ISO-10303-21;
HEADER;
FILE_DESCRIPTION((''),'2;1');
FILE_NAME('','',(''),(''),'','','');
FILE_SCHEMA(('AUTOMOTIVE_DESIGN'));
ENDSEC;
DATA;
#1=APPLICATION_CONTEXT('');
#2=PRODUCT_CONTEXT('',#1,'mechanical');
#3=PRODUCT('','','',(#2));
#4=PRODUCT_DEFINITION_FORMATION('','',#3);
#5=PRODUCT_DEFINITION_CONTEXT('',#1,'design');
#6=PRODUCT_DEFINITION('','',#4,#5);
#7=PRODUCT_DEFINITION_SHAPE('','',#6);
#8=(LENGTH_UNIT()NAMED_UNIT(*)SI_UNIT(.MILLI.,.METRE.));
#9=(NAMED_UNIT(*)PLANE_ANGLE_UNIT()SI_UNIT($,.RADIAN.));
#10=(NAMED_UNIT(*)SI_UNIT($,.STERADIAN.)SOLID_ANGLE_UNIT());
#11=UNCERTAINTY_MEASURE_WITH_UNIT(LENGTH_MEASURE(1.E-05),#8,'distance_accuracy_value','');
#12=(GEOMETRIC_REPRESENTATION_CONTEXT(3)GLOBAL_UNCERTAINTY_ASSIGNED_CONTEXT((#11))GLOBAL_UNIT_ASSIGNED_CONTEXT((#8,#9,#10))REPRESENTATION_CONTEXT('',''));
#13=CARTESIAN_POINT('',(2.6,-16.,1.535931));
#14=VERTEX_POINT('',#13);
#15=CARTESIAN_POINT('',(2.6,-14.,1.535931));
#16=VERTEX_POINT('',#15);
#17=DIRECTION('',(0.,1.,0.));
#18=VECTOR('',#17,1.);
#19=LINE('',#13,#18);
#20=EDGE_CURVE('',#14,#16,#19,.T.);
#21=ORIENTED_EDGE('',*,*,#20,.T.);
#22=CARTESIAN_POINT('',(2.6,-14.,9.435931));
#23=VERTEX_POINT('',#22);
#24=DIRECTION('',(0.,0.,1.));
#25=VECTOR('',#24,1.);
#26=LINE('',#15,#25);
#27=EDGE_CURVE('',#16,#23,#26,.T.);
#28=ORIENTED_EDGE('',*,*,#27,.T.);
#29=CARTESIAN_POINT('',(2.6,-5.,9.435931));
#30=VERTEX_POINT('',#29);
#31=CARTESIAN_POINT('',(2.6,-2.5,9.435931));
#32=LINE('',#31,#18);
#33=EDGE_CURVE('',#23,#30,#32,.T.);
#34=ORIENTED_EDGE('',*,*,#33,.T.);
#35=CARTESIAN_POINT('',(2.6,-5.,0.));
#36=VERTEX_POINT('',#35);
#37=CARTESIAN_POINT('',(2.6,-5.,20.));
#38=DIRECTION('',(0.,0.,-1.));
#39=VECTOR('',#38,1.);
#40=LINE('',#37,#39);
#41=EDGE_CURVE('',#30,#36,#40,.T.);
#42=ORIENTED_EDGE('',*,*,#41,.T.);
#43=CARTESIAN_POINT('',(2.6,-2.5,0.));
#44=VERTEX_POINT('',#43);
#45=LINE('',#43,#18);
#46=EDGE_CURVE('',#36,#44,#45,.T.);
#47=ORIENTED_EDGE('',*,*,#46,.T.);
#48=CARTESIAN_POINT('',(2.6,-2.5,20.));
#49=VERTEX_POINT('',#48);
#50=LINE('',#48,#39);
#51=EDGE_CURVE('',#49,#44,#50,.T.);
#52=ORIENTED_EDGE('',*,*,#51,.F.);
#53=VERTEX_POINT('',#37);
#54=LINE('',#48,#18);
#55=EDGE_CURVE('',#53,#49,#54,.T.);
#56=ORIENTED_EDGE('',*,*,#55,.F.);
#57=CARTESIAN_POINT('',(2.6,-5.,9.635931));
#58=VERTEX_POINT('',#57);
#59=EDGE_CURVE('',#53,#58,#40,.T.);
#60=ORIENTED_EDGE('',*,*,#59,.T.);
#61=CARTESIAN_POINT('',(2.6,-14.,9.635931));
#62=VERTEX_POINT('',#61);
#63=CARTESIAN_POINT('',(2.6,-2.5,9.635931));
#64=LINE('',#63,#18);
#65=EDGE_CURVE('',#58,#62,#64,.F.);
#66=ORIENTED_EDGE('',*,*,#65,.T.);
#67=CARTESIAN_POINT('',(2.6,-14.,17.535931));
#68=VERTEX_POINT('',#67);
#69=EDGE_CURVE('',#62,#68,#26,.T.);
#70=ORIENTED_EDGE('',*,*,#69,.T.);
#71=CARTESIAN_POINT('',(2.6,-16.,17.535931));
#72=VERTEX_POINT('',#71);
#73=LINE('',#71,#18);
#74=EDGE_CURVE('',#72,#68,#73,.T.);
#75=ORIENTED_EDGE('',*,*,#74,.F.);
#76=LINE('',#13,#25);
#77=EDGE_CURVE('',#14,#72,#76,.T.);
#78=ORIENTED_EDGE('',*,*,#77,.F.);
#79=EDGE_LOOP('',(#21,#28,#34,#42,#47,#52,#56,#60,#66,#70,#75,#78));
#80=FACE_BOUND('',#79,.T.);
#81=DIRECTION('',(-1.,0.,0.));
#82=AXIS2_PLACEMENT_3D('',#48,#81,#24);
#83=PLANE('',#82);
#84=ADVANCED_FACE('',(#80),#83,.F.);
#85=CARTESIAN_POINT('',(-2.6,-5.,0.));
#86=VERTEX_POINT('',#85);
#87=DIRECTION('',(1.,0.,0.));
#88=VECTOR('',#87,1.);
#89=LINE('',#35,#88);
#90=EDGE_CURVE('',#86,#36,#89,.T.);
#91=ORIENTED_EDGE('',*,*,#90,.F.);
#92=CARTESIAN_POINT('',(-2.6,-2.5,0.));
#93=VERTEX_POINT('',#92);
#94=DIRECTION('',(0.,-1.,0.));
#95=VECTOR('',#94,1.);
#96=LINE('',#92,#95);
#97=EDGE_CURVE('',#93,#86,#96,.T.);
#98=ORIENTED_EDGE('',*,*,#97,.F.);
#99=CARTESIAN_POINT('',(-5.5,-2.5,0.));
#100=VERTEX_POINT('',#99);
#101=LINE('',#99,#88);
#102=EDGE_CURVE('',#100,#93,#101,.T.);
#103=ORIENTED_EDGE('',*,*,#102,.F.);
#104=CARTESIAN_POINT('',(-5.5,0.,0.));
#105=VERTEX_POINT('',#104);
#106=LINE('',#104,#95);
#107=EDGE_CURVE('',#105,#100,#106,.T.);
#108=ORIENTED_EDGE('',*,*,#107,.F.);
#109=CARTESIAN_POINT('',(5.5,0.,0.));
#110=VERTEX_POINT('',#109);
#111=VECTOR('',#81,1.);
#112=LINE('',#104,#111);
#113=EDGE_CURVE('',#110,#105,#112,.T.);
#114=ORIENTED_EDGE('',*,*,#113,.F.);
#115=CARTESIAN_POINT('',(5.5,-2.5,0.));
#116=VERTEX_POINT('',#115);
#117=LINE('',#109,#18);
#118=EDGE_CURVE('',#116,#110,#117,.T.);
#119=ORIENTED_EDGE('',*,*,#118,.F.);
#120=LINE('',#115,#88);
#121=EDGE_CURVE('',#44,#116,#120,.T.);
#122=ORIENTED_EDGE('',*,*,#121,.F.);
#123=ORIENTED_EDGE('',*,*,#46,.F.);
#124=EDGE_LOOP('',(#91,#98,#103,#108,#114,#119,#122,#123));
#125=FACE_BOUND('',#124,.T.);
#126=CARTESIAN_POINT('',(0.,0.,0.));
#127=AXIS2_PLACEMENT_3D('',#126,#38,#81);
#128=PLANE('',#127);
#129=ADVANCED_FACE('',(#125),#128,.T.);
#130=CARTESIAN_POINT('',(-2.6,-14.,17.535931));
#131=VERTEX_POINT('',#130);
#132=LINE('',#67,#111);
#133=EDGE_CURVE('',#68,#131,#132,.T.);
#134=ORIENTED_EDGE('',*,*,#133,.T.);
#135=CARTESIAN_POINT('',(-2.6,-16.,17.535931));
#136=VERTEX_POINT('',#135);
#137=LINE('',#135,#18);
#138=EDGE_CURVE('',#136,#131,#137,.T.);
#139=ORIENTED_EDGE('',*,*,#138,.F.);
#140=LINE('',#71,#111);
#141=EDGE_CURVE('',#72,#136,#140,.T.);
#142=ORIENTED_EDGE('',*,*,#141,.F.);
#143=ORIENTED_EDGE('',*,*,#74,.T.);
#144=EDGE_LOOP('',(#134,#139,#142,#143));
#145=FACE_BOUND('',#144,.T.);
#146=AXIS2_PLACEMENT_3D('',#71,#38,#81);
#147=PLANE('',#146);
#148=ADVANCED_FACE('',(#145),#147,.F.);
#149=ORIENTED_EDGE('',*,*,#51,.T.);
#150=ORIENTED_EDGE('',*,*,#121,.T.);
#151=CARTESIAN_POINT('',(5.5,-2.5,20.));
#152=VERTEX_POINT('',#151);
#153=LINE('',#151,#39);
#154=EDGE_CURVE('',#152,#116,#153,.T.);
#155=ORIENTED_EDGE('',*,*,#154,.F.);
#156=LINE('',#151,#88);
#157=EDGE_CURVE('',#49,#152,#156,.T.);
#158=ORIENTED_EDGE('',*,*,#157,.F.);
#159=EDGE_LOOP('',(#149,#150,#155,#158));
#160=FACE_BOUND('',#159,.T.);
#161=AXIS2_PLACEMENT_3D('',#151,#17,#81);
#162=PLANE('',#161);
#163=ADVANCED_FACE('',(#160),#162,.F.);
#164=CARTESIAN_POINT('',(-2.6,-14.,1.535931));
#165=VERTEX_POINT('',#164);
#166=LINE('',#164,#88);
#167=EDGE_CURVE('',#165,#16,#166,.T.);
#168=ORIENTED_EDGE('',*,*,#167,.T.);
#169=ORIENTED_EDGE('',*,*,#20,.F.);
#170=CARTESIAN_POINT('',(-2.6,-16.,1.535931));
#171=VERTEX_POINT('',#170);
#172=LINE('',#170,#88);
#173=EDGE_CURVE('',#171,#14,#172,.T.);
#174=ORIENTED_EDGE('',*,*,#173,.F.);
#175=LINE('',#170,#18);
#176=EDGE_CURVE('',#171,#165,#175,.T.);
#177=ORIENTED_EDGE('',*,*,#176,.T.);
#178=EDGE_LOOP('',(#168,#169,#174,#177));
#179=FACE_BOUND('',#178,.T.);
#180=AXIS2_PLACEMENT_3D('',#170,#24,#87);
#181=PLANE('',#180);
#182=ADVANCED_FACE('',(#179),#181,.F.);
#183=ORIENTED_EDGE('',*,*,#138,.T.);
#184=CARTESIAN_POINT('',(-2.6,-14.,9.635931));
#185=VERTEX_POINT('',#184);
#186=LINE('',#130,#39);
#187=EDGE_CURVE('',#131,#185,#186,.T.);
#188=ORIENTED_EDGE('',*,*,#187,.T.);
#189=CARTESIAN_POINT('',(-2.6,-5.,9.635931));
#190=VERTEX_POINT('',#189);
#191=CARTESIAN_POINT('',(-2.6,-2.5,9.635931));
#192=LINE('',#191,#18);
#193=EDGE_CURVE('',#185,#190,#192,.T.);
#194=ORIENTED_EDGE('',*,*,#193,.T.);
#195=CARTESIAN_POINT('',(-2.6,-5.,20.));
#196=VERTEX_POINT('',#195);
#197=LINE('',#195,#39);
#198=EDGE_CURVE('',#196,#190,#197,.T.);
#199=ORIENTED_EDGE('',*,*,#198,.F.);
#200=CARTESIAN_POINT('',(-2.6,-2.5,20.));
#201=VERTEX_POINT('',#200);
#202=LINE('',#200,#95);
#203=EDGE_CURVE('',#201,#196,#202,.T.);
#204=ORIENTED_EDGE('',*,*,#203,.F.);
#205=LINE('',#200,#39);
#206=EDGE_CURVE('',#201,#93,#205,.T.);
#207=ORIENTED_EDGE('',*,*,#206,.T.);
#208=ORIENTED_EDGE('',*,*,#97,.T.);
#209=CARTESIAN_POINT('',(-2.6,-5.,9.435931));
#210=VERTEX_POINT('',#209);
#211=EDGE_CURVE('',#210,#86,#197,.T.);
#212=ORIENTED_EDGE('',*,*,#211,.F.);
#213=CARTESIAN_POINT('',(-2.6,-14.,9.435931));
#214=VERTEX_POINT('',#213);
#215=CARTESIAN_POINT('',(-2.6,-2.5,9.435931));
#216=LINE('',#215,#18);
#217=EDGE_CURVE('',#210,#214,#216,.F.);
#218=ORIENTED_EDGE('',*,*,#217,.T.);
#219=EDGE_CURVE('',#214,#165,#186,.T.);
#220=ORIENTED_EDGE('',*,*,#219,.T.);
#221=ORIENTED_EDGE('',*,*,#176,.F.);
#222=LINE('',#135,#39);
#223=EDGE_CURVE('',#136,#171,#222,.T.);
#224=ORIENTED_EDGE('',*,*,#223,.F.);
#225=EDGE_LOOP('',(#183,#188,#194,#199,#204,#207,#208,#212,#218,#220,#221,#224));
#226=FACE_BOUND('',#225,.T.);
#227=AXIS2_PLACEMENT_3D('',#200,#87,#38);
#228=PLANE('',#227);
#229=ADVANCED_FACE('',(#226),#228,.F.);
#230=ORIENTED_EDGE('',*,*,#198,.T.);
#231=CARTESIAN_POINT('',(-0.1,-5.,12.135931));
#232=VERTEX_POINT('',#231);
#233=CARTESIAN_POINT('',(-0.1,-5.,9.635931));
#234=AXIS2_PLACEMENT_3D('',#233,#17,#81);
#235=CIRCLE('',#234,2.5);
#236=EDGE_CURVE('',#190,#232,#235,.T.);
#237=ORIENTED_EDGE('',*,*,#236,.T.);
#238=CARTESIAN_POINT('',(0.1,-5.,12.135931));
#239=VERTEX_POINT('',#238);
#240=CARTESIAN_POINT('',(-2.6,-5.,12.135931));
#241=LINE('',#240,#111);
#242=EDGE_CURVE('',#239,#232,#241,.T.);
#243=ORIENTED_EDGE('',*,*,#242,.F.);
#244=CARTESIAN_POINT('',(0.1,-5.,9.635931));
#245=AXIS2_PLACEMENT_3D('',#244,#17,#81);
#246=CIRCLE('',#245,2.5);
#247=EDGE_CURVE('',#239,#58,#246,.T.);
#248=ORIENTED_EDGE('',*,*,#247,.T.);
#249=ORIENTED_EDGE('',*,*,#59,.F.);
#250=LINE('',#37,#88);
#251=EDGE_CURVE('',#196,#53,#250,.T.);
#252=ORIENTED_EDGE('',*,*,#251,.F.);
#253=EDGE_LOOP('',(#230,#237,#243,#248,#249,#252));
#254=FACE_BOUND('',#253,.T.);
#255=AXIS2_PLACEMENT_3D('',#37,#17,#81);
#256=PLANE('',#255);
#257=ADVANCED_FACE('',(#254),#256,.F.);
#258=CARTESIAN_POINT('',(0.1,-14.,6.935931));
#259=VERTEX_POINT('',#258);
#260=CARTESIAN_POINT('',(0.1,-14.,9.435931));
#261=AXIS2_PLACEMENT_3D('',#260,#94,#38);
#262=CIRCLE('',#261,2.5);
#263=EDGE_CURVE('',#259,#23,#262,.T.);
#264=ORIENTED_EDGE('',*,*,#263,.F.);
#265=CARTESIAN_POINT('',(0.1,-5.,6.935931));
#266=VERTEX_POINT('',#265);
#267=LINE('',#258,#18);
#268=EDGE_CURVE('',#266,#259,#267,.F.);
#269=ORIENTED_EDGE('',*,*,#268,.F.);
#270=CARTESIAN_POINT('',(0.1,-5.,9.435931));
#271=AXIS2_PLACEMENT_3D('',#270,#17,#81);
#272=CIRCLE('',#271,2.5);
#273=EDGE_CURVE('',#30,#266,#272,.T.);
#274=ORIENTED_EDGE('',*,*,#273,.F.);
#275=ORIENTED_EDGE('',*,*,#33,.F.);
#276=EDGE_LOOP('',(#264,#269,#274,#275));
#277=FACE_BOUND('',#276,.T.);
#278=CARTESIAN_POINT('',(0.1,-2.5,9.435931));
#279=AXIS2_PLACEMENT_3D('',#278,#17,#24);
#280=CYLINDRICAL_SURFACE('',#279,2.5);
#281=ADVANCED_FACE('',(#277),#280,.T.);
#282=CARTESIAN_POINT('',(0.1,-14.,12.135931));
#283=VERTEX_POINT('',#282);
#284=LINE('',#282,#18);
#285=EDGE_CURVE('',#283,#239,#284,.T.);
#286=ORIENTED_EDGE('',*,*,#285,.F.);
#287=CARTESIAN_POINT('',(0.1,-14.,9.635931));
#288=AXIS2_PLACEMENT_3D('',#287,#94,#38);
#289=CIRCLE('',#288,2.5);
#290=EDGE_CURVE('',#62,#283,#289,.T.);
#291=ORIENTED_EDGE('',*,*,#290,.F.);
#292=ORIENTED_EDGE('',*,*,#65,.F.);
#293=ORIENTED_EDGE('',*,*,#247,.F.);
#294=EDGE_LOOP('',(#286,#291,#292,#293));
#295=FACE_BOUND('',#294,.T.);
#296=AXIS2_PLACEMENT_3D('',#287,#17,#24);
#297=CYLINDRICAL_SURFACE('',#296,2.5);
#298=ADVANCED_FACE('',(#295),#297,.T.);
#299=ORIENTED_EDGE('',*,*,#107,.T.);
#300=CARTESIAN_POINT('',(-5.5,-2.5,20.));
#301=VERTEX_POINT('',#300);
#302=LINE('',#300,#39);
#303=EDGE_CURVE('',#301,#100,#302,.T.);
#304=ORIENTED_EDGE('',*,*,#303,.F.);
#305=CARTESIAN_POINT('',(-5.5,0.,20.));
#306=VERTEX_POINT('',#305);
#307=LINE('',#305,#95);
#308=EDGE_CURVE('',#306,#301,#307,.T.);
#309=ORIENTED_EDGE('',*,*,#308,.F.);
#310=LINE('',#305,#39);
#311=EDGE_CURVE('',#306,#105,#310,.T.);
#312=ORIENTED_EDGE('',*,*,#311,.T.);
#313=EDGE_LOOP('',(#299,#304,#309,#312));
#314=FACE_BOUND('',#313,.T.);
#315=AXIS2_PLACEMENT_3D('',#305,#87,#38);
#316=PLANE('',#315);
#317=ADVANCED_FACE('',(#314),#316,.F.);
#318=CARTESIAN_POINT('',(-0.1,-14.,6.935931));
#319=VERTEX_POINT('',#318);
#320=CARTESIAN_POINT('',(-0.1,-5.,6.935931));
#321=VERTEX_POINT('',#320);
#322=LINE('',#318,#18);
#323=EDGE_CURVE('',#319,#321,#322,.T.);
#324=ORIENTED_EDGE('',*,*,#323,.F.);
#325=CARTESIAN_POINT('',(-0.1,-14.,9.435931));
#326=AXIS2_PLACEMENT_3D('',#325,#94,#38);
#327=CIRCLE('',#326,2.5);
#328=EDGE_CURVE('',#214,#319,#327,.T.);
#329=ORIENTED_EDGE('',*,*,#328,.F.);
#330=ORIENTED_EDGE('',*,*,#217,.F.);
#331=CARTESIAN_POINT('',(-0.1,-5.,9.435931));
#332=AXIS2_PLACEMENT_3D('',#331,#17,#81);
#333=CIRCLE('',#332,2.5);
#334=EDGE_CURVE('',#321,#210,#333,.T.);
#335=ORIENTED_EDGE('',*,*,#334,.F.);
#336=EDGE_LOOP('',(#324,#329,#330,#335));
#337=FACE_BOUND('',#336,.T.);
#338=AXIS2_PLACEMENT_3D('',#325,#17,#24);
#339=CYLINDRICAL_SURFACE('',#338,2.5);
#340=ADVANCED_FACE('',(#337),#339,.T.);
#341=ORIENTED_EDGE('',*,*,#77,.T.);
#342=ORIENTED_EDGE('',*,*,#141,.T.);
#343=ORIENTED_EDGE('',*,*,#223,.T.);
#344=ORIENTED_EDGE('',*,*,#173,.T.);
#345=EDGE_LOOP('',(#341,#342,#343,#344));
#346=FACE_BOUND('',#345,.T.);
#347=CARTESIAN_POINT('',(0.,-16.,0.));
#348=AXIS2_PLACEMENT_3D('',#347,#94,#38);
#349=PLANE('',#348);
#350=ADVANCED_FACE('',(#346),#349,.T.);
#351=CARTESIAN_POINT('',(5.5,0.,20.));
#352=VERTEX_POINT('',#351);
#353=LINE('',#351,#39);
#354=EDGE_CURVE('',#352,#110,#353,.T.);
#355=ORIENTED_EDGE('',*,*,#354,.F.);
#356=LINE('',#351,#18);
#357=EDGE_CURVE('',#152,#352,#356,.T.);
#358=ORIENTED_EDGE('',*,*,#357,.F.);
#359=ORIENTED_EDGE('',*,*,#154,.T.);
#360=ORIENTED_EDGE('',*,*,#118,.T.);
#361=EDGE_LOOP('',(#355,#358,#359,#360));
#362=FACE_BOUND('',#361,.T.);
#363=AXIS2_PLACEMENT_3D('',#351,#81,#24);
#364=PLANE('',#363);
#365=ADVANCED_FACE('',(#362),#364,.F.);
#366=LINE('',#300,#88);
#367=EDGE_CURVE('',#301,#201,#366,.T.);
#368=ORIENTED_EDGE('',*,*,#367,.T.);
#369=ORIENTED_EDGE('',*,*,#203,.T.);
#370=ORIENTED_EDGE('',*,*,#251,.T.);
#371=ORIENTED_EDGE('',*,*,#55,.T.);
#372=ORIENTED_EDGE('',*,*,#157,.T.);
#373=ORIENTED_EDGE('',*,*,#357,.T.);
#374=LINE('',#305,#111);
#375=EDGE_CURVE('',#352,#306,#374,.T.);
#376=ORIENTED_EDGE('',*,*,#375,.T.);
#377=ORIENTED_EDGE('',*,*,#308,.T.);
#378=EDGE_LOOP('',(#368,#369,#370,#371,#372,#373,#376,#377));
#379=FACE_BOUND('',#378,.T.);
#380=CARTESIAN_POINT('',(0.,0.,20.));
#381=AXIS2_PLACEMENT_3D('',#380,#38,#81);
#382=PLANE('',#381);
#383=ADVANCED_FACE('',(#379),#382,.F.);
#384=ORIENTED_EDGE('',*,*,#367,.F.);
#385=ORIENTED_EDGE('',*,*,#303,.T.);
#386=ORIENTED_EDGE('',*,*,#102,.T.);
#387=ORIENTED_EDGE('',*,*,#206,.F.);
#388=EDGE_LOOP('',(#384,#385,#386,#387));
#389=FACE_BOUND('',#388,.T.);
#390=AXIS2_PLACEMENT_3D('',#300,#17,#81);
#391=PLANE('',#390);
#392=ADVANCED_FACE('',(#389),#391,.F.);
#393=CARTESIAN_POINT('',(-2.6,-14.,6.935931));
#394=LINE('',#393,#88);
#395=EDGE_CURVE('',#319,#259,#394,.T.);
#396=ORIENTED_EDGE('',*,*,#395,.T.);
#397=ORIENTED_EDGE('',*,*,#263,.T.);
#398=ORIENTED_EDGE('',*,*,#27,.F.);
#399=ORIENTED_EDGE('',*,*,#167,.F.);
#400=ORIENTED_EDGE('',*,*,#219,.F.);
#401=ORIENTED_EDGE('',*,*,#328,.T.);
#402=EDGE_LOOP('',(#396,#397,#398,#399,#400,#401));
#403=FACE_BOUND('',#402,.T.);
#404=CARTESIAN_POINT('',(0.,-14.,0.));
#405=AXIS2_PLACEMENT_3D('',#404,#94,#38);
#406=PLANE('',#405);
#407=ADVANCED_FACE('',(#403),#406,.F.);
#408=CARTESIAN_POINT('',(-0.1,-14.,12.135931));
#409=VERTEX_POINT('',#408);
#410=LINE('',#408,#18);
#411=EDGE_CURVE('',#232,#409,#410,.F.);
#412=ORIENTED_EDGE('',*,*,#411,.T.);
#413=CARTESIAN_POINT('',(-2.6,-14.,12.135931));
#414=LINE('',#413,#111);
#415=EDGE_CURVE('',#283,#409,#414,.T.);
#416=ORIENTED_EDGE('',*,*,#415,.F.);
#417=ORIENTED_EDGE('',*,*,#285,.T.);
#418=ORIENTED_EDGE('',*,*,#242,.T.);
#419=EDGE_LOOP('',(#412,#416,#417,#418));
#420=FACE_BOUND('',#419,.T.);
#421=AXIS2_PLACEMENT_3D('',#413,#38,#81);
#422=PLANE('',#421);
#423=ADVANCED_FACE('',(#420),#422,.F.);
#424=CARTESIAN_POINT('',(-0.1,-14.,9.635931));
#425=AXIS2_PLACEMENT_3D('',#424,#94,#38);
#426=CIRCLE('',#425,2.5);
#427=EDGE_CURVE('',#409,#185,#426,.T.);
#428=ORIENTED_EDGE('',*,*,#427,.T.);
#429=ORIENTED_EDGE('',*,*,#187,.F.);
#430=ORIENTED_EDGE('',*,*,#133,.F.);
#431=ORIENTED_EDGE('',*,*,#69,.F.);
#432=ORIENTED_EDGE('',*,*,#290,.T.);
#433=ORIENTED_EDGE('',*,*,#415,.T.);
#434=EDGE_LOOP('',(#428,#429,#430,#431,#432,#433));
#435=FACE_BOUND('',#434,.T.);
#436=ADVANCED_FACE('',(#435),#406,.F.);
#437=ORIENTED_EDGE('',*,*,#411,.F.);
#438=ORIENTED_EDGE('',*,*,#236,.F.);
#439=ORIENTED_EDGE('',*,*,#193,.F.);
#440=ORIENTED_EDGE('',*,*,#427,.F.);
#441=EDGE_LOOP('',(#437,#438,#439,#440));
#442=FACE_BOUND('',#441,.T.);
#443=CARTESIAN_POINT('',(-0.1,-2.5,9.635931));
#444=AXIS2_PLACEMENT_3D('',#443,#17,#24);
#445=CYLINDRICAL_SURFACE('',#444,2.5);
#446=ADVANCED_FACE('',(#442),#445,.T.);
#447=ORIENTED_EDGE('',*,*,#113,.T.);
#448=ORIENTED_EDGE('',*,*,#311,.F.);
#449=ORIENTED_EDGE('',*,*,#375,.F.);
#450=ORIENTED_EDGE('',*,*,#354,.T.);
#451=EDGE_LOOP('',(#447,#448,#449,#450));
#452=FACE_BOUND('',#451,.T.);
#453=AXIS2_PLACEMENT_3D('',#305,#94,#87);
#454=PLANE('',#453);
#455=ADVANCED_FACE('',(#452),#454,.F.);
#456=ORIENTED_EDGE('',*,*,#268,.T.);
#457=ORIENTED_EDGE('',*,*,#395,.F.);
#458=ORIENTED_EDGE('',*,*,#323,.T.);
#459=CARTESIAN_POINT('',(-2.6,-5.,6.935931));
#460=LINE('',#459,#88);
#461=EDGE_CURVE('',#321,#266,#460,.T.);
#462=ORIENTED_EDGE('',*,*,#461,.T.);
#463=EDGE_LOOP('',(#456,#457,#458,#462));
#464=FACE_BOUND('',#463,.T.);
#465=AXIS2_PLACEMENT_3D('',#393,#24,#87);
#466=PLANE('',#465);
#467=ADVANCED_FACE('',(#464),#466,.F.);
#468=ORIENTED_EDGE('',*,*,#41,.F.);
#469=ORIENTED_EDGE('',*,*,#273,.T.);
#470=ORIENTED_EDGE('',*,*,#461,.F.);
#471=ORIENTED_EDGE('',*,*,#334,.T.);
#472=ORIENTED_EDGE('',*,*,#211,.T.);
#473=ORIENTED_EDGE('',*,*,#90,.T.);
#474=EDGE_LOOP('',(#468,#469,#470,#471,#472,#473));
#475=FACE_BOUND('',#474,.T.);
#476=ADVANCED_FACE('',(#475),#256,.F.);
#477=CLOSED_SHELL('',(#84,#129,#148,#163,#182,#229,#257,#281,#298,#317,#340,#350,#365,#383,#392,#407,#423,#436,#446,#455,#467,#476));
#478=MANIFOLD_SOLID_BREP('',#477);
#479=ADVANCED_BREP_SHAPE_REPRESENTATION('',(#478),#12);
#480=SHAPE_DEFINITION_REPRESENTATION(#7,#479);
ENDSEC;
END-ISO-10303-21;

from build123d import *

# Parameters (mm, degrees)
SALIENTE_EXTRUIR1_DEPTH = 20
CROQUIS2_W              = 5.2
CROQUIS2_H              = 5.2
SALIENTE_EXTRUIR2_DEPTH = 9
CROQUIS3_W              = 5.2
CROQUIS3_H              = 16
SALIENTE_EXTRUIR4_DEPTH = 2
REDONDEO4_R             = 2.5


with BuildPart() as part:
    # Croquis1 → Saliente-Extruir1 (new body)
    with BuildSketch(Plane.XY):
        Polygon((-5.5, 0), (5.5, 0), (5.5, -2.5), (2.6, -2.5), (2.6, -5), (-2.6, -5), (-2.6, -2.5), (-5.5, -2.5), align=None)
    extrude(amount=SALIENTE_EXTRUIR1_DEPTH)

    # Croquis2 → Saliente-Extruir2 (add)
    with BuildSketch(Plane.XZ.offset(5)):
        with Locations((0, 9.535930778)):
            Rectangle(CROQUIS2_W, CROQUIS2_H)
    extrude(amount=SALIENTE_EXTRUIR2_DEPTH)

    # Croquis3 → Saliente-Extruir4 (add)
    with BuildSketch(Plane.XZ.offset(14)):
        with Locations((0, 9.535930778)):
            Rectangle(CROQUIS3_W, CROQUIS3_H)
    extrude(amount=SALIENTE_EXTRUIR4_DEPTH)

    # Redondeo4
    redondeo4_edges = [part.edges().sort_by_distance(p)[0] for p in [
        (-2.6, -9.5, 12.135930778),
        (-2.6, -9.5, 6.935930778),
        (2.6, -9.5, 6.935930778),
        (2.6, -9.5, 12.135930778),
    ]]
    fillet(redondeo4_edges, radius=REDONDEO4_R)


solid = part.part
